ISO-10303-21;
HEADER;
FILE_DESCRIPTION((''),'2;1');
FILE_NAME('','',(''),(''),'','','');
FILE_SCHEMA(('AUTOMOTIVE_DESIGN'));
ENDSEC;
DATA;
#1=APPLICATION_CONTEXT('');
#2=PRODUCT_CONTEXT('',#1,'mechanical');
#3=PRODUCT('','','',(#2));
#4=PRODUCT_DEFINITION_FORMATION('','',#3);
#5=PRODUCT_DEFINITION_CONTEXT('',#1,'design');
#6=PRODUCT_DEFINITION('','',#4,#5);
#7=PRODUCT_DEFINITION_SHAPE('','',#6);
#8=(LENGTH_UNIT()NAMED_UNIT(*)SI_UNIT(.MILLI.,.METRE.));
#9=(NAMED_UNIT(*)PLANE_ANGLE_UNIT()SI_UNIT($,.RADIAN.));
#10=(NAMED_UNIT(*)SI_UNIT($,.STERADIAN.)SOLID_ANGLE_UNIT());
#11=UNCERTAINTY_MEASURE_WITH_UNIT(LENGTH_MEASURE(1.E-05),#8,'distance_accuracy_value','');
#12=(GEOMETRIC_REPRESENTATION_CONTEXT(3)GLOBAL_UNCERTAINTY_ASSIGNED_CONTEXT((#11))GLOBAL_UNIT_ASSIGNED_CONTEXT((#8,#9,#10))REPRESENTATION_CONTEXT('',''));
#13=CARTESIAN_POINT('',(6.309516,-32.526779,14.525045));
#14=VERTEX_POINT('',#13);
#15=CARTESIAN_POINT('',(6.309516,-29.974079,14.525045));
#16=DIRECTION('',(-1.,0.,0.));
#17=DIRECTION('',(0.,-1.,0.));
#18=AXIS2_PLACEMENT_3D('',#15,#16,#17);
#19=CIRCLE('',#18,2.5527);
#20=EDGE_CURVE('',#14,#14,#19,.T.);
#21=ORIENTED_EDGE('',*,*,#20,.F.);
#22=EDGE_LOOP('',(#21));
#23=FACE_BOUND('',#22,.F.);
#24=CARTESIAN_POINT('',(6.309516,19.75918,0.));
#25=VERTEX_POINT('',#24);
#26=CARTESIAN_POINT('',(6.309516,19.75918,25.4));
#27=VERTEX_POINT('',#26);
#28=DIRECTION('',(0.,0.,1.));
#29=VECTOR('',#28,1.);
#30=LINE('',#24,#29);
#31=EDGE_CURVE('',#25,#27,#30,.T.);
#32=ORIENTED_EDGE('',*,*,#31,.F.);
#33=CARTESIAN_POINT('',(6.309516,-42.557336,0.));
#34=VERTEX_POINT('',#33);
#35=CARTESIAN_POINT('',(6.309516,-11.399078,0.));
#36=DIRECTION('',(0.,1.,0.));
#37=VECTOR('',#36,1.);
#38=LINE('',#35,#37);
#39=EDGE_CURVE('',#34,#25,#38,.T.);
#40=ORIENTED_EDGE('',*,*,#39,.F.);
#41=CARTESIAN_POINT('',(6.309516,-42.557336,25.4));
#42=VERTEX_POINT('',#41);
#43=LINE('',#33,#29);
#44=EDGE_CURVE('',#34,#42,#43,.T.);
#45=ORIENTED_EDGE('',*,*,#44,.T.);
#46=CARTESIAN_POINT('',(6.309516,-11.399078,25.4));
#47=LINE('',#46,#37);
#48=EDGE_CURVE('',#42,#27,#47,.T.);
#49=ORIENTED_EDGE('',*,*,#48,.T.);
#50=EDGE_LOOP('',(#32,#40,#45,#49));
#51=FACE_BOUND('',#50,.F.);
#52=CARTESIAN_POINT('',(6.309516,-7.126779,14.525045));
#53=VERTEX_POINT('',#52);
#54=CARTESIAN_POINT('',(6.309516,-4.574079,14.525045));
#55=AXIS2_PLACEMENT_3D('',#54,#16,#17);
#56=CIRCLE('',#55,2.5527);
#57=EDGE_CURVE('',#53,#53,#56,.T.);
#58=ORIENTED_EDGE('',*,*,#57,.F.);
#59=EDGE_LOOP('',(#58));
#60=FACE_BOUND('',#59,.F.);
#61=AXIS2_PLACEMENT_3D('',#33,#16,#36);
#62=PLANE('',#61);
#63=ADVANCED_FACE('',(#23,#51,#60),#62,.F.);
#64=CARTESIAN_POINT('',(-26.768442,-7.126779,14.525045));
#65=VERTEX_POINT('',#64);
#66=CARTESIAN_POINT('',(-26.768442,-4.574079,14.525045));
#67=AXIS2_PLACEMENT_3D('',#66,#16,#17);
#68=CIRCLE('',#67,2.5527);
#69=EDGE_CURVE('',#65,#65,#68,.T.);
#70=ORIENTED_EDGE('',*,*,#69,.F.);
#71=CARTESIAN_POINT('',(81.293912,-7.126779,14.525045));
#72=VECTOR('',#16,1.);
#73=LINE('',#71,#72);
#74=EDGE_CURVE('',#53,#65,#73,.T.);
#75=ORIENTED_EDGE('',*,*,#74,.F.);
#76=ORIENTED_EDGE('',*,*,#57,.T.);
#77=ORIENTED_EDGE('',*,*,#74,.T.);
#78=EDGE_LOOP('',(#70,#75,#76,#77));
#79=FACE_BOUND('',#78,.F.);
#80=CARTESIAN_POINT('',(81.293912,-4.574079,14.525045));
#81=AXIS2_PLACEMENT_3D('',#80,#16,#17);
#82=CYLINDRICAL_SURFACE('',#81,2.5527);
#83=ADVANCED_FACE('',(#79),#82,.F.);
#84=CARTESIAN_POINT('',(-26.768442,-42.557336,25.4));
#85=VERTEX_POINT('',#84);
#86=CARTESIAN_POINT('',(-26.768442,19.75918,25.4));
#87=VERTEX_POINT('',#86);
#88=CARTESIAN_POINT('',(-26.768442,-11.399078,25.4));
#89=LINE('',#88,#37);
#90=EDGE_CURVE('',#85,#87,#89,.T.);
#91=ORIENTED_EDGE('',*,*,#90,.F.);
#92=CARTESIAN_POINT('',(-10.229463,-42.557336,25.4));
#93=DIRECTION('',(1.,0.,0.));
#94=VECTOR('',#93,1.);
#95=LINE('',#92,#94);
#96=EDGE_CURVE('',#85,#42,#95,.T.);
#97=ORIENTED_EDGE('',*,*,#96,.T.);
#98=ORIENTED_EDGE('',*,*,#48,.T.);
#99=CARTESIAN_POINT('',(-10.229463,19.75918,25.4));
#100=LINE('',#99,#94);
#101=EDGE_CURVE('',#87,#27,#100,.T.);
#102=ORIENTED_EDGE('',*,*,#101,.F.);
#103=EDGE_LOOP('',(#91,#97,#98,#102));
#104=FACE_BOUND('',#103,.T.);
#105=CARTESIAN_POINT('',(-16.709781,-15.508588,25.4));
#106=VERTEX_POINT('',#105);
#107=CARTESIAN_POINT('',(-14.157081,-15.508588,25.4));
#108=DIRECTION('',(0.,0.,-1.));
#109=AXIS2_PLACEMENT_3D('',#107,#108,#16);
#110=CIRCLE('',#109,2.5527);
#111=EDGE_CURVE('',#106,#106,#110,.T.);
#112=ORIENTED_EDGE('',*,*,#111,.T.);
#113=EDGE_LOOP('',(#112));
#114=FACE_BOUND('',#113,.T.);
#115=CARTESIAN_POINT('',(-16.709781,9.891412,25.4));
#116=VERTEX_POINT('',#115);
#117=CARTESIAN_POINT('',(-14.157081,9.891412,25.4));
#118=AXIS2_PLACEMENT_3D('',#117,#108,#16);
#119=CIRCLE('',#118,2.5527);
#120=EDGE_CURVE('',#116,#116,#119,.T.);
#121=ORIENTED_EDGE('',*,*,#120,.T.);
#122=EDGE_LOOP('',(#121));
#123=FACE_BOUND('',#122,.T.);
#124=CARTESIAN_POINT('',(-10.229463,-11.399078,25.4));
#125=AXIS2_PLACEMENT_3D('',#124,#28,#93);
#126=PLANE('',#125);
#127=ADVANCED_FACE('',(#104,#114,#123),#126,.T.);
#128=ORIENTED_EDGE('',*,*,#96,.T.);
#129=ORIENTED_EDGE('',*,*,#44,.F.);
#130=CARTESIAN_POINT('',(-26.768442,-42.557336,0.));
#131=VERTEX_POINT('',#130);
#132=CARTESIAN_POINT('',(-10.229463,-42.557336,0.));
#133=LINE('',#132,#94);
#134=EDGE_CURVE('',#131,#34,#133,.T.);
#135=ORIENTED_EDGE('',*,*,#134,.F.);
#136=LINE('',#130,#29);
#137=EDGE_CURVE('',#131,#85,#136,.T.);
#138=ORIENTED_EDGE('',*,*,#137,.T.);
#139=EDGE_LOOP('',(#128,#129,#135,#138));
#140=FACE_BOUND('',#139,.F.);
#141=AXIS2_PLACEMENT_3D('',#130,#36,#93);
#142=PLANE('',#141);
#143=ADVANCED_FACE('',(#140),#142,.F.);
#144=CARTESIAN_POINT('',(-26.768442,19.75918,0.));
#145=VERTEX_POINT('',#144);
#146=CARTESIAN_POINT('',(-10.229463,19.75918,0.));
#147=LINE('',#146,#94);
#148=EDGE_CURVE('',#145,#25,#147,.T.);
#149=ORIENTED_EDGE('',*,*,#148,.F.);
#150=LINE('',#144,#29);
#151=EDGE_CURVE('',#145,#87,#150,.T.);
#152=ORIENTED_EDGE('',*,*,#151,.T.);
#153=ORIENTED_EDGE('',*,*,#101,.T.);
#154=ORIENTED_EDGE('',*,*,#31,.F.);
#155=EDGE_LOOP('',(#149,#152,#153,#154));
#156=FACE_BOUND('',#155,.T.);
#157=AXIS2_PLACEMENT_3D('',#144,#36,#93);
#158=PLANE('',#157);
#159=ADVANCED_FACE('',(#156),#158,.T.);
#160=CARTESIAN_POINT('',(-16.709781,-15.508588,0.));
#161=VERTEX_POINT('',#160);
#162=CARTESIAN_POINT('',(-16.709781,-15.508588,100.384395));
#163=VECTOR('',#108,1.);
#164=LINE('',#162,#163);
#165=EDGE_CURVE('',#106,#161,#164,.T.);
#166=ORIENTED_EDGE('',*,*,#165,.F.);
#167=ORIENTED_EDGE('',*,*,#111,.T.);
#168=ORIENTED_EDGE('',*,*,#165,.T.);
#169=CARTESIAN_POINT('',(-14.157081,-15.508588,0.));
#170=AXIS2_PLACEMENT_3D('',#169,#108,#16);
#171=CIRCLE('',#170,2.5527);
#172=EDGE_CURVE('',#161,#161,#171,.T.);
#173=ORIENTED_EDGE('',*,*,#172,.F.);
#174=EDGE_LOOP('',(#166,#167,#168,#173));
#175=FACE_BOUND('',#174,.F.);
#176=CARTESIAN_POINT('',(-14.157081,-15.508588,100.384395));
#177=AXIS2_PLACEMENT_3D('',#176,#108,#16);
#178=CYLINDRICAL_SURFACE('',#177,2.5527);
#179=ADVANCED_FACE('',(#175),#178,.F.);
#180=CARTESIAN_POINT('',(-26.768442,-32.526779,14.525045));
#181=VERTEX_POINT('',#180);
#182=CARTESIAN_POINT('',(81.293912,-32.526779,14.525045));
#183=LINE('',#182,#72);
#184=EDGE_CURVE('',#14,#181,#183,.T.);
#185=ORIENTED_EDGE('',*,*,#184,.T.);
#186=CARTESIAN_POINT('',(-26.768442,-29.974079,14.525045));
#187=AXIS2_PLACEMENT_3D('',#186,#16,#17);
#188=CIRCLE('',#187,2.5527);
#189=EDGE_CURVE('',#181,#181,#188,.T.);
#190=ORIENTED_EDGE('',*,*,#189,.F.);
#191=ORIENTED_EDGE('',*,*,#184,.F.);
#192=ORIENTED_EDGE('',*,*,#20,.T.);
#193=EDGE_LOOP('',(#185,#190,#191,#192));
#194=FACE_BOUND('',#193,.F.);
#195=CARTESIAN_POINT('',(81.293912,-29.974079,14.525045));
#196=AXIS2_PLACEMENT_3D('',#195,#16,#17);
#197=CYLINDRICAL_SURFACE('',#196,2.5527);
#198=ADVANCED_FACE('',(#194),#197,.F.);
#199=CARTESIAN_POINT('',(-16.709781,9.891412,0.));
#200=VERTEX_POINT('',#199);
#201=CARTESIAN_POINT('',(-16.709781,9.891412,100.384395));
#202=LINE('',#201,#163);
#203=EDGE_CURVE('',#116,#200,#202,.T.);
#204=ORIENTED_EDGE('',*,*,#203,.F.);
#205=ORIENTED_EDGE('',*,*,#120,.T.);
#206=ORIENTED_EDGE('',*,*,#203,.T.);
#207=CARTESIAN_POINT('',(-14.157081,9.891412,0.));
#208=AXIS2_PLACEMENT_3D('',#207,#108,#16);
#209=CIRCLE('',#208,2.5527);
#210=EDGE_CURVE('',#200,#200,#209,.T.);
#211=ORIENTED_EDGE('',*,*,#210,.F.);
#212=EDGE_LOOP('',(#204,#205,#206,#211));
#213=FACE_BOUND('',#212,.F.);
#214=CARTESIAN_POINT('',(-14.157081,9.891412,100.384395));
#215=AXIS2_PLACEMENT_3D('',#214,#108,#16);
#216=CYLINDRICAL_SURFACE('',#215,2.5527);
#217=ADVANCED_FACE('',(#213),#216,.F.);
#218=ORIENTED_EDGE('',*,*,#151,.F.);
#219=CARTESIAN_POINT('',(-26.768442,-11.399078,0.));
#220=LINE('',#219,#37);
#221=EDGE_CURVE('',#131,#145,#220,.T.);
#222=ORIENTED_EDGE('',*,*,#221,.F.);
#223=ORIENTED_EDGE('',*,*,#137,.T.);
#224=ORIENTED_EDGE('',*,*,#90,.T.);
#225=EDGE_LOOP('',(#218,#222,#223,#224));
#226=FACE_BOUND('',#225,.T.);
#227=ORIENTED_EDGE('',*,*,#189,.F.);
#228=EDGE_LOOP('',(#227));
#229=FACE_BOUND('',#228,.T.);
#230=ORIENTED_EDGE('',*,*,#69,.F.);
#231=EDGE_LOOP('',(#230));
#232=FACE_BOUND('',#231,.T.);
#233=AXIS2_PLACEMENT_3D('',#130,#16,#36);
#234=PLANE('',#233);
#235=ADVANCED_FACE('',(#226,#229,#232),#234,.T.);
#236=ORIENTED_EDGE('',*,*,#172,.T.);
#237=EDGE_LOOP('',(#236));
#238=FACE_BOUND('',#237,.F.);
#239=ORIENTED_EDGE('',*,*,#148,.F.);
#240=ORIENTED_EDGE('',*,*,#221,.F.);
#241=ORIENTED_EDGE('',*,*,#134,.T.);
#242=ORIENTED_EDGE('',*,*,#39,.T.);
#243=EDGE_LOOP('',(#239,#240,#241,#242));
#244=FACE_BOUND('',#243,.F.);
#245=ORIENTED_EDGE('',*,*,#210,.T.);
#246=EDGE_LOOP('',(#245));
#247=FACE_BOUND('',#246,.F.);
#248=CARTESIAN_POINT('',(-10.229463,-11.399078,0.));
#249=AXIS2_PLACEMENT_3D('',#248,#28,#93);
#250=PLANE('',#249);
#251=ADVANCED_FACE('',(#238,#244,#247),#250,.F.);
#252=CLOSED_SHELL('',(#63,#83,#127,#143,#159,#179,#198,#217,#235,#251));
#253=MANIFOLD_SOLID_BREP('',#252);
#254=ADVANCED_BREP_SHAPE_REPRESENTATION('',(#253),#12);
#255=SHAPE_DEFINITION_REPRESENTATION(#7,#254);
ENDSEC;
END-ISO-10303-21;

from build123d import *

# Parameters (mm, degrees)
F0_W     = 33.077959
F0_H     = 62.316516
F1_DEPTH = 25.4
F4_D     = 5.1054
F5_D     = 5.1054


with BuildPart() as f1:
    # F0 (on Top) → F1 (new body)
    with BuildSketch(Plane.XY):
        with Locations((-10.229463, -11.399078)):
            Rectangle(F0_W, F0_H)
    extrude(amount=F1_DEPTH)

    # F4 (through all)
    with Locations(Plane.YZ.offset(6.309517)):
        with Locations((-29.974079, 14.525045), (-4.574079, 14.525045)):
            Hole(F4_D / 2)

    # F5 (through all)
    with Locations(Plane.XY.offset(25.4)):
        with Locations((-14.157081, 9.891412), (-14.157081, -15.508588)):
            Hole(F5_D / 2)


solid = f1.part
